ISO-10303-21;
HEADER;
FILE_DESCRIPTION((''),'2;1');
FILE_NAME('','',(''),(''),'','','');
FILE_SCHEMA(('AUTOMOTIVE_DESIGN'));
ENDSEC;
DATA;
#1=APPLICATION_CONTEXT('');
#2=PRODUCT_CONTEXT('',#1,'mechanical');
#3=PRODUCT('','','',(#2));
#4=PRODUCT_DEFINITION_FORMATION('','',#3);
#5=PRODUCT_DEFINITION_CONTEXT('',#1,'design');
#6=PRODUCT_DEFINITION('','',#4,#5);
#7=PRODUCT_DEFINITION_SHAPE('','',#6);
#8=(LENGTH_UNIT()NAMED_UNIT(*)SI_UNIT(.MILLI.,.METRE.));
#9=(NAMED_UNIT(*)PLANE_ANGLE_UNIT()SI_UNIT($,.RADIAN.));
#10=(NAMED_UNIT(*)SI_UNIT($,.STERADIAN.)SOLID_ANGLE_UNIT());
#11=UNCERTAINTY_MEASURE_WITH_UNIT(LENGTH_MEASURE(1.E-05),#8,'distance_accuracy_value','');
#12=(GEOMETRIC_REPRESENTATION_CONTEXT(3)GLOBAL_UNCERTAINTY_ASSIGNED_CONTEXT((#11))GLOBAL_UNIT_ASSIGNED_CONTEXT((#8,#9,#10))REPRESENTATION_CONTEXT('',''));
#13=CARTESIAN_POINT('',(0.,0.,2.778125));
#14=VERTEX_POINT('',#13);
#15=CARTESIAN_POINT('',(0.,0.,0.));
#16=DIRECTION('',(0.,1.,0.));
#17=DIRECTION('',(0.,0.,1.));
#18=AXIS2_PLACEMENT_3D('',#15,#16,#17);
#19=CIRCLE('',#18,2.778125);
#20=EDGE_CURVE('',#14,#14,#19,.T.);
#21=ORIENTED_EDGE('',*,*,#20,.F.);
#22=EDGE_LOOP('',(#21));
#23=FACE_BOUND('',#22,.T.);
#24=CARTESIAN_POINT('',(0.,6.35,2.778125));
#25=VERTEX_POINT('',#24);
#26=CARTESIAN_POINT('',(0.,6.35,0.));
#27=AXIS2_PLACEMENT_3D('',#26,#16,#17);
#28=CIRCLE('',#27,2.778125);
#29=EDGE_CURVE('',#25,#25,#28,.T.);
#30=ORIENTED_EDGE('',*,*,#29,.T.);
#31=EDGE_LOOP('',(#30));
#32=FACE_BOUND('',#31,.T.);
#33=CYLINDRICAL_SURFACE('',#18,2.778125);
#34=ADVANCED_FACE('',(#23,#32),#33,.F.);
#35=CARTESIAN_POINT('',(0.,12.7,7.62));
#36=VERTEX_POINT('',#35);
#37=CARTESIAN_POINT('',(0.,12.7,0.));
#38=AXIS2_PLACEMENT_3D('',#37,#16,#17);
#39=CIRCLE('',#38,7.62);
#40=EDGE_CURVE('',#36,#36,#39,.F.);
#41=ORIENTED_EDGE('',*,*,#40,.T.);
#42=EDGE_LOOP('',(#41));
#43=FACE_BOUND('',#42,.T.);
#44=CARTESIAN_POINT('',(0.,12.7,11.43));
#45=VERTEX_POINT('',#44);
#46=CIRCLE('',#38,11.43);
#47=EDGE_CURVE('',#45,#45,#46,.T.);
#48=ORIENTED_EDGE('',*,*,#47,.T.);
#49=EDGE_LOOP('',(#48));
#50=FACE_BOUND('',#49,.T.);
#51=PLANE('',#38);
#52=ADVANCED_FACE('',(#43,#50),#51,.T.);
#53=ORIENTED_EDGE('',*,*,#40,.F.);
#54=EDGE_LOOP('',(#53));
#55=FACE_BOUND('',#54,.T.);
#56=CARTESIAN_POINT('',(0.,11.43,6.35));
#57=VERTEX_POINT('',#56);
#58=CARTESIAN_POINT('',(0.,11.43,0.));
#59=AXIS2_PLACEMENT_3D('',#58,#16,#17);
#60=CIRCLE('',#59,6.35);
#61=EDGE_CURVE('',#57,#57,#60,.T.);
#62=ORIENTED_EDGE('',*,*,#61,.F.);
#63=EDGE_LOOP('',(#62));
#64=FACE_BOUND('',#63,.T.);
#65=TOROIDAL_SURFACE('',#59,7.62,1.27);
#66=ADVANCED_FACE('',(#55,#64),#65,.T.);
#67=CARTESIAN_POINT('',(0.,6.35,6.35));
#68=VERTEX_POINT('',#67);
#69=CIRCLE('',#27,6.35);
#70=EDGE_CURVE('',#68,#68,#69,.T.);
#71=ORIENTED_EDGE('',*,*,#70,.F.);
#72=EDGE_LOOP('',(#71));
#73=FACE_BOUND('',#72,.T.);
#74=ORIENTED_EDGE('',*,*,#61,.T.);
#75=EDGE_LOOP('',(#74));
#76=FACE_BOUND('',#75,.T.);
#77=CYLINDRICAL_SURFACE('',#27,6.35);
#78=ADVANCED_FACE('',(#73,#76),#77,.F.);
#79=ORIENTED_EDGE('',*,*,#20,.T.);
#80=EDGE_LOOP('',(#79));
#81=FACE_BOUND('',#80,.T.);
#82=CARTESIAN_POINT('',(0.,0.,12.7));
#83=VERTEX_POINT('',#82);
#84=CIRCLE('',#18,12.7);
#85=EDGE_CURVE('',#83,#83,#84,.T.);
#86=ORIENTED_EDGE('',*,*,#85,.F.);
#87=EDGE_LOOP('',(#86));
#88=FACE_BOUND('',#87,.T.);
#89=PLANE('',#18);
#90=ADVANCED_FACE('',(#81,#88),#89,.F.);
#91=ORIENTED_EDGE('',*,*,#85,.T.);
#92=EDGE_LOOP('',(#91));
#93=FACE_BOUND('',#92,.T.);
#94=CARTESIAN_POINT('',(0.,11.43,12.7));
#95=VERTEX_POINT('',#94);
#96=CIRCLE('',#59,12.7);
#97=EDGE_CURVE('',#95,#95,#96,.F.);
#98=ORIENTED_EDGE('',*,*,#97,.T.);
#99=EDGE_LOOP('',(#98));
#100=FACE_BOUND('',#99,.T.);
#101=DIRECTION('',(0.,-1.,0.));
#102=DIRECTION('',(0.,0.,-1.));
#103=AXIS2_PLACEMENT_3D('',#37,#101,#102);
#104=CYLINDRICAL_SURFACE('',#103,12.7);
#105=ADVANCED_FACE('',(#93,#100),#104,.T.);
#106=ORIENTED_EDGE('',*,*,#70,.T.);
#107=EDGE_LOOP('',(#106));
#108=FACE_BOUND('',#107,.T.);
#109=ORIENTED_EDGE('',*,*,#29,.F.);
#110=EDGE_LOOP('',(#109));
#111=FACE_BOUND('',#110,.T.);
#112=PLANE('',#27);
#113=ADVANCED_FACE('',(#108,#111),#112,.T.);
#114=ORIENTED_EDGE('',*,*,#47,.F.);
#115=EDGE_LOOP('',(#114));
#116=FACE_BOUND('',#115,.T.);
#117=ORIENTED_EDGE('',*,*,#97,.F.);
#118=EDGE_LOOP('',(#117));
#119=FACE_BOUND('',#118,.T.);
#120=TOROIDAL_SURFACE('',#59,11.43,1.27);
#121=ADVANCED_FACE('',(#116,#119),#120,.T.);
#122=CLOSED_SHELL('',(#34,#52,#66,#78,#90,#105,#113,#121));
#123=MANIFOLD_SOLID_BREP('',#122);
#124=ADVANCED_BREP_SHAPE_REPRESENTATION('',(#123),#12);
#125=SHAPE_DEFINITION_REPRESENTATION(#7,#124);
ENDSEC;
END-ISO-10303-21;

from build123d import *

# Parameters (mm, degrees)
SKETCH1_R           = 12.7
BOSS_EXTRUDE1_DEPTH = 12.7
SKETCH2_R           = 6.35
CUT_EXTRUDE1_DEPTH  = 6.35
SKETCH3_R           = 2.778125
CUT_EXTRUDE2_DEPTH  = 20.05
FILLET1_R           = 1.27


with BuildPart() as part:
    # Sketch1 → Boss-Extrude1 (new body)
    with BuildSketch(Plane(origin=(0, 0, 0), x_dir=(1, 0, 0), z_dir=(0, 1, 0))):
        with Locations(Location((0, 0, 0), (0, 0, 270))):
            Circle(SKETCH1_R)
    extrude(amount=BOSS_EXTRUDE1_DEPTH)

    # Sketch2 → Cut-Extrude1 (cut)
    with BuildSketch(Plane(origin=(0, 12.7, 0), x_dir=(1, 0, 0), z_dir=(0, 1, 0))):
        with Locations(Location((0, 0, 0), (0, 0, 270))):
            Circle(SKETCH2_R)
    extrude(amount=-CUT_EXTRUDE1_DEPTH, mode=Mode.SUBTRACT)

    # Sketch3 → Cut-Extrude2 (cut, through all)
    with BuildSketch(Plane(origin=(0, 6.35, 0), x_dir=(1, 0, 0), z_dir=(0, 1, 0))):
        with Locations(Location((0, 0, 0), (0, 0, 270))):
            Circle(SKETCH3_R)
    extrude(amount=-CUT_EXTRUDE2_DEPTH, mode=Mode.SUBTRACT)

    # Fillet1
    fillet1_edges = [part.edges().sort_by_distance(p)[0] for p in [
        (0, 12.7, -12.7),
        (0, 12.7, -6.35),
    ]]
    fillet(fillet1_edges, radius=FILLET1_R)


solid = part.part
